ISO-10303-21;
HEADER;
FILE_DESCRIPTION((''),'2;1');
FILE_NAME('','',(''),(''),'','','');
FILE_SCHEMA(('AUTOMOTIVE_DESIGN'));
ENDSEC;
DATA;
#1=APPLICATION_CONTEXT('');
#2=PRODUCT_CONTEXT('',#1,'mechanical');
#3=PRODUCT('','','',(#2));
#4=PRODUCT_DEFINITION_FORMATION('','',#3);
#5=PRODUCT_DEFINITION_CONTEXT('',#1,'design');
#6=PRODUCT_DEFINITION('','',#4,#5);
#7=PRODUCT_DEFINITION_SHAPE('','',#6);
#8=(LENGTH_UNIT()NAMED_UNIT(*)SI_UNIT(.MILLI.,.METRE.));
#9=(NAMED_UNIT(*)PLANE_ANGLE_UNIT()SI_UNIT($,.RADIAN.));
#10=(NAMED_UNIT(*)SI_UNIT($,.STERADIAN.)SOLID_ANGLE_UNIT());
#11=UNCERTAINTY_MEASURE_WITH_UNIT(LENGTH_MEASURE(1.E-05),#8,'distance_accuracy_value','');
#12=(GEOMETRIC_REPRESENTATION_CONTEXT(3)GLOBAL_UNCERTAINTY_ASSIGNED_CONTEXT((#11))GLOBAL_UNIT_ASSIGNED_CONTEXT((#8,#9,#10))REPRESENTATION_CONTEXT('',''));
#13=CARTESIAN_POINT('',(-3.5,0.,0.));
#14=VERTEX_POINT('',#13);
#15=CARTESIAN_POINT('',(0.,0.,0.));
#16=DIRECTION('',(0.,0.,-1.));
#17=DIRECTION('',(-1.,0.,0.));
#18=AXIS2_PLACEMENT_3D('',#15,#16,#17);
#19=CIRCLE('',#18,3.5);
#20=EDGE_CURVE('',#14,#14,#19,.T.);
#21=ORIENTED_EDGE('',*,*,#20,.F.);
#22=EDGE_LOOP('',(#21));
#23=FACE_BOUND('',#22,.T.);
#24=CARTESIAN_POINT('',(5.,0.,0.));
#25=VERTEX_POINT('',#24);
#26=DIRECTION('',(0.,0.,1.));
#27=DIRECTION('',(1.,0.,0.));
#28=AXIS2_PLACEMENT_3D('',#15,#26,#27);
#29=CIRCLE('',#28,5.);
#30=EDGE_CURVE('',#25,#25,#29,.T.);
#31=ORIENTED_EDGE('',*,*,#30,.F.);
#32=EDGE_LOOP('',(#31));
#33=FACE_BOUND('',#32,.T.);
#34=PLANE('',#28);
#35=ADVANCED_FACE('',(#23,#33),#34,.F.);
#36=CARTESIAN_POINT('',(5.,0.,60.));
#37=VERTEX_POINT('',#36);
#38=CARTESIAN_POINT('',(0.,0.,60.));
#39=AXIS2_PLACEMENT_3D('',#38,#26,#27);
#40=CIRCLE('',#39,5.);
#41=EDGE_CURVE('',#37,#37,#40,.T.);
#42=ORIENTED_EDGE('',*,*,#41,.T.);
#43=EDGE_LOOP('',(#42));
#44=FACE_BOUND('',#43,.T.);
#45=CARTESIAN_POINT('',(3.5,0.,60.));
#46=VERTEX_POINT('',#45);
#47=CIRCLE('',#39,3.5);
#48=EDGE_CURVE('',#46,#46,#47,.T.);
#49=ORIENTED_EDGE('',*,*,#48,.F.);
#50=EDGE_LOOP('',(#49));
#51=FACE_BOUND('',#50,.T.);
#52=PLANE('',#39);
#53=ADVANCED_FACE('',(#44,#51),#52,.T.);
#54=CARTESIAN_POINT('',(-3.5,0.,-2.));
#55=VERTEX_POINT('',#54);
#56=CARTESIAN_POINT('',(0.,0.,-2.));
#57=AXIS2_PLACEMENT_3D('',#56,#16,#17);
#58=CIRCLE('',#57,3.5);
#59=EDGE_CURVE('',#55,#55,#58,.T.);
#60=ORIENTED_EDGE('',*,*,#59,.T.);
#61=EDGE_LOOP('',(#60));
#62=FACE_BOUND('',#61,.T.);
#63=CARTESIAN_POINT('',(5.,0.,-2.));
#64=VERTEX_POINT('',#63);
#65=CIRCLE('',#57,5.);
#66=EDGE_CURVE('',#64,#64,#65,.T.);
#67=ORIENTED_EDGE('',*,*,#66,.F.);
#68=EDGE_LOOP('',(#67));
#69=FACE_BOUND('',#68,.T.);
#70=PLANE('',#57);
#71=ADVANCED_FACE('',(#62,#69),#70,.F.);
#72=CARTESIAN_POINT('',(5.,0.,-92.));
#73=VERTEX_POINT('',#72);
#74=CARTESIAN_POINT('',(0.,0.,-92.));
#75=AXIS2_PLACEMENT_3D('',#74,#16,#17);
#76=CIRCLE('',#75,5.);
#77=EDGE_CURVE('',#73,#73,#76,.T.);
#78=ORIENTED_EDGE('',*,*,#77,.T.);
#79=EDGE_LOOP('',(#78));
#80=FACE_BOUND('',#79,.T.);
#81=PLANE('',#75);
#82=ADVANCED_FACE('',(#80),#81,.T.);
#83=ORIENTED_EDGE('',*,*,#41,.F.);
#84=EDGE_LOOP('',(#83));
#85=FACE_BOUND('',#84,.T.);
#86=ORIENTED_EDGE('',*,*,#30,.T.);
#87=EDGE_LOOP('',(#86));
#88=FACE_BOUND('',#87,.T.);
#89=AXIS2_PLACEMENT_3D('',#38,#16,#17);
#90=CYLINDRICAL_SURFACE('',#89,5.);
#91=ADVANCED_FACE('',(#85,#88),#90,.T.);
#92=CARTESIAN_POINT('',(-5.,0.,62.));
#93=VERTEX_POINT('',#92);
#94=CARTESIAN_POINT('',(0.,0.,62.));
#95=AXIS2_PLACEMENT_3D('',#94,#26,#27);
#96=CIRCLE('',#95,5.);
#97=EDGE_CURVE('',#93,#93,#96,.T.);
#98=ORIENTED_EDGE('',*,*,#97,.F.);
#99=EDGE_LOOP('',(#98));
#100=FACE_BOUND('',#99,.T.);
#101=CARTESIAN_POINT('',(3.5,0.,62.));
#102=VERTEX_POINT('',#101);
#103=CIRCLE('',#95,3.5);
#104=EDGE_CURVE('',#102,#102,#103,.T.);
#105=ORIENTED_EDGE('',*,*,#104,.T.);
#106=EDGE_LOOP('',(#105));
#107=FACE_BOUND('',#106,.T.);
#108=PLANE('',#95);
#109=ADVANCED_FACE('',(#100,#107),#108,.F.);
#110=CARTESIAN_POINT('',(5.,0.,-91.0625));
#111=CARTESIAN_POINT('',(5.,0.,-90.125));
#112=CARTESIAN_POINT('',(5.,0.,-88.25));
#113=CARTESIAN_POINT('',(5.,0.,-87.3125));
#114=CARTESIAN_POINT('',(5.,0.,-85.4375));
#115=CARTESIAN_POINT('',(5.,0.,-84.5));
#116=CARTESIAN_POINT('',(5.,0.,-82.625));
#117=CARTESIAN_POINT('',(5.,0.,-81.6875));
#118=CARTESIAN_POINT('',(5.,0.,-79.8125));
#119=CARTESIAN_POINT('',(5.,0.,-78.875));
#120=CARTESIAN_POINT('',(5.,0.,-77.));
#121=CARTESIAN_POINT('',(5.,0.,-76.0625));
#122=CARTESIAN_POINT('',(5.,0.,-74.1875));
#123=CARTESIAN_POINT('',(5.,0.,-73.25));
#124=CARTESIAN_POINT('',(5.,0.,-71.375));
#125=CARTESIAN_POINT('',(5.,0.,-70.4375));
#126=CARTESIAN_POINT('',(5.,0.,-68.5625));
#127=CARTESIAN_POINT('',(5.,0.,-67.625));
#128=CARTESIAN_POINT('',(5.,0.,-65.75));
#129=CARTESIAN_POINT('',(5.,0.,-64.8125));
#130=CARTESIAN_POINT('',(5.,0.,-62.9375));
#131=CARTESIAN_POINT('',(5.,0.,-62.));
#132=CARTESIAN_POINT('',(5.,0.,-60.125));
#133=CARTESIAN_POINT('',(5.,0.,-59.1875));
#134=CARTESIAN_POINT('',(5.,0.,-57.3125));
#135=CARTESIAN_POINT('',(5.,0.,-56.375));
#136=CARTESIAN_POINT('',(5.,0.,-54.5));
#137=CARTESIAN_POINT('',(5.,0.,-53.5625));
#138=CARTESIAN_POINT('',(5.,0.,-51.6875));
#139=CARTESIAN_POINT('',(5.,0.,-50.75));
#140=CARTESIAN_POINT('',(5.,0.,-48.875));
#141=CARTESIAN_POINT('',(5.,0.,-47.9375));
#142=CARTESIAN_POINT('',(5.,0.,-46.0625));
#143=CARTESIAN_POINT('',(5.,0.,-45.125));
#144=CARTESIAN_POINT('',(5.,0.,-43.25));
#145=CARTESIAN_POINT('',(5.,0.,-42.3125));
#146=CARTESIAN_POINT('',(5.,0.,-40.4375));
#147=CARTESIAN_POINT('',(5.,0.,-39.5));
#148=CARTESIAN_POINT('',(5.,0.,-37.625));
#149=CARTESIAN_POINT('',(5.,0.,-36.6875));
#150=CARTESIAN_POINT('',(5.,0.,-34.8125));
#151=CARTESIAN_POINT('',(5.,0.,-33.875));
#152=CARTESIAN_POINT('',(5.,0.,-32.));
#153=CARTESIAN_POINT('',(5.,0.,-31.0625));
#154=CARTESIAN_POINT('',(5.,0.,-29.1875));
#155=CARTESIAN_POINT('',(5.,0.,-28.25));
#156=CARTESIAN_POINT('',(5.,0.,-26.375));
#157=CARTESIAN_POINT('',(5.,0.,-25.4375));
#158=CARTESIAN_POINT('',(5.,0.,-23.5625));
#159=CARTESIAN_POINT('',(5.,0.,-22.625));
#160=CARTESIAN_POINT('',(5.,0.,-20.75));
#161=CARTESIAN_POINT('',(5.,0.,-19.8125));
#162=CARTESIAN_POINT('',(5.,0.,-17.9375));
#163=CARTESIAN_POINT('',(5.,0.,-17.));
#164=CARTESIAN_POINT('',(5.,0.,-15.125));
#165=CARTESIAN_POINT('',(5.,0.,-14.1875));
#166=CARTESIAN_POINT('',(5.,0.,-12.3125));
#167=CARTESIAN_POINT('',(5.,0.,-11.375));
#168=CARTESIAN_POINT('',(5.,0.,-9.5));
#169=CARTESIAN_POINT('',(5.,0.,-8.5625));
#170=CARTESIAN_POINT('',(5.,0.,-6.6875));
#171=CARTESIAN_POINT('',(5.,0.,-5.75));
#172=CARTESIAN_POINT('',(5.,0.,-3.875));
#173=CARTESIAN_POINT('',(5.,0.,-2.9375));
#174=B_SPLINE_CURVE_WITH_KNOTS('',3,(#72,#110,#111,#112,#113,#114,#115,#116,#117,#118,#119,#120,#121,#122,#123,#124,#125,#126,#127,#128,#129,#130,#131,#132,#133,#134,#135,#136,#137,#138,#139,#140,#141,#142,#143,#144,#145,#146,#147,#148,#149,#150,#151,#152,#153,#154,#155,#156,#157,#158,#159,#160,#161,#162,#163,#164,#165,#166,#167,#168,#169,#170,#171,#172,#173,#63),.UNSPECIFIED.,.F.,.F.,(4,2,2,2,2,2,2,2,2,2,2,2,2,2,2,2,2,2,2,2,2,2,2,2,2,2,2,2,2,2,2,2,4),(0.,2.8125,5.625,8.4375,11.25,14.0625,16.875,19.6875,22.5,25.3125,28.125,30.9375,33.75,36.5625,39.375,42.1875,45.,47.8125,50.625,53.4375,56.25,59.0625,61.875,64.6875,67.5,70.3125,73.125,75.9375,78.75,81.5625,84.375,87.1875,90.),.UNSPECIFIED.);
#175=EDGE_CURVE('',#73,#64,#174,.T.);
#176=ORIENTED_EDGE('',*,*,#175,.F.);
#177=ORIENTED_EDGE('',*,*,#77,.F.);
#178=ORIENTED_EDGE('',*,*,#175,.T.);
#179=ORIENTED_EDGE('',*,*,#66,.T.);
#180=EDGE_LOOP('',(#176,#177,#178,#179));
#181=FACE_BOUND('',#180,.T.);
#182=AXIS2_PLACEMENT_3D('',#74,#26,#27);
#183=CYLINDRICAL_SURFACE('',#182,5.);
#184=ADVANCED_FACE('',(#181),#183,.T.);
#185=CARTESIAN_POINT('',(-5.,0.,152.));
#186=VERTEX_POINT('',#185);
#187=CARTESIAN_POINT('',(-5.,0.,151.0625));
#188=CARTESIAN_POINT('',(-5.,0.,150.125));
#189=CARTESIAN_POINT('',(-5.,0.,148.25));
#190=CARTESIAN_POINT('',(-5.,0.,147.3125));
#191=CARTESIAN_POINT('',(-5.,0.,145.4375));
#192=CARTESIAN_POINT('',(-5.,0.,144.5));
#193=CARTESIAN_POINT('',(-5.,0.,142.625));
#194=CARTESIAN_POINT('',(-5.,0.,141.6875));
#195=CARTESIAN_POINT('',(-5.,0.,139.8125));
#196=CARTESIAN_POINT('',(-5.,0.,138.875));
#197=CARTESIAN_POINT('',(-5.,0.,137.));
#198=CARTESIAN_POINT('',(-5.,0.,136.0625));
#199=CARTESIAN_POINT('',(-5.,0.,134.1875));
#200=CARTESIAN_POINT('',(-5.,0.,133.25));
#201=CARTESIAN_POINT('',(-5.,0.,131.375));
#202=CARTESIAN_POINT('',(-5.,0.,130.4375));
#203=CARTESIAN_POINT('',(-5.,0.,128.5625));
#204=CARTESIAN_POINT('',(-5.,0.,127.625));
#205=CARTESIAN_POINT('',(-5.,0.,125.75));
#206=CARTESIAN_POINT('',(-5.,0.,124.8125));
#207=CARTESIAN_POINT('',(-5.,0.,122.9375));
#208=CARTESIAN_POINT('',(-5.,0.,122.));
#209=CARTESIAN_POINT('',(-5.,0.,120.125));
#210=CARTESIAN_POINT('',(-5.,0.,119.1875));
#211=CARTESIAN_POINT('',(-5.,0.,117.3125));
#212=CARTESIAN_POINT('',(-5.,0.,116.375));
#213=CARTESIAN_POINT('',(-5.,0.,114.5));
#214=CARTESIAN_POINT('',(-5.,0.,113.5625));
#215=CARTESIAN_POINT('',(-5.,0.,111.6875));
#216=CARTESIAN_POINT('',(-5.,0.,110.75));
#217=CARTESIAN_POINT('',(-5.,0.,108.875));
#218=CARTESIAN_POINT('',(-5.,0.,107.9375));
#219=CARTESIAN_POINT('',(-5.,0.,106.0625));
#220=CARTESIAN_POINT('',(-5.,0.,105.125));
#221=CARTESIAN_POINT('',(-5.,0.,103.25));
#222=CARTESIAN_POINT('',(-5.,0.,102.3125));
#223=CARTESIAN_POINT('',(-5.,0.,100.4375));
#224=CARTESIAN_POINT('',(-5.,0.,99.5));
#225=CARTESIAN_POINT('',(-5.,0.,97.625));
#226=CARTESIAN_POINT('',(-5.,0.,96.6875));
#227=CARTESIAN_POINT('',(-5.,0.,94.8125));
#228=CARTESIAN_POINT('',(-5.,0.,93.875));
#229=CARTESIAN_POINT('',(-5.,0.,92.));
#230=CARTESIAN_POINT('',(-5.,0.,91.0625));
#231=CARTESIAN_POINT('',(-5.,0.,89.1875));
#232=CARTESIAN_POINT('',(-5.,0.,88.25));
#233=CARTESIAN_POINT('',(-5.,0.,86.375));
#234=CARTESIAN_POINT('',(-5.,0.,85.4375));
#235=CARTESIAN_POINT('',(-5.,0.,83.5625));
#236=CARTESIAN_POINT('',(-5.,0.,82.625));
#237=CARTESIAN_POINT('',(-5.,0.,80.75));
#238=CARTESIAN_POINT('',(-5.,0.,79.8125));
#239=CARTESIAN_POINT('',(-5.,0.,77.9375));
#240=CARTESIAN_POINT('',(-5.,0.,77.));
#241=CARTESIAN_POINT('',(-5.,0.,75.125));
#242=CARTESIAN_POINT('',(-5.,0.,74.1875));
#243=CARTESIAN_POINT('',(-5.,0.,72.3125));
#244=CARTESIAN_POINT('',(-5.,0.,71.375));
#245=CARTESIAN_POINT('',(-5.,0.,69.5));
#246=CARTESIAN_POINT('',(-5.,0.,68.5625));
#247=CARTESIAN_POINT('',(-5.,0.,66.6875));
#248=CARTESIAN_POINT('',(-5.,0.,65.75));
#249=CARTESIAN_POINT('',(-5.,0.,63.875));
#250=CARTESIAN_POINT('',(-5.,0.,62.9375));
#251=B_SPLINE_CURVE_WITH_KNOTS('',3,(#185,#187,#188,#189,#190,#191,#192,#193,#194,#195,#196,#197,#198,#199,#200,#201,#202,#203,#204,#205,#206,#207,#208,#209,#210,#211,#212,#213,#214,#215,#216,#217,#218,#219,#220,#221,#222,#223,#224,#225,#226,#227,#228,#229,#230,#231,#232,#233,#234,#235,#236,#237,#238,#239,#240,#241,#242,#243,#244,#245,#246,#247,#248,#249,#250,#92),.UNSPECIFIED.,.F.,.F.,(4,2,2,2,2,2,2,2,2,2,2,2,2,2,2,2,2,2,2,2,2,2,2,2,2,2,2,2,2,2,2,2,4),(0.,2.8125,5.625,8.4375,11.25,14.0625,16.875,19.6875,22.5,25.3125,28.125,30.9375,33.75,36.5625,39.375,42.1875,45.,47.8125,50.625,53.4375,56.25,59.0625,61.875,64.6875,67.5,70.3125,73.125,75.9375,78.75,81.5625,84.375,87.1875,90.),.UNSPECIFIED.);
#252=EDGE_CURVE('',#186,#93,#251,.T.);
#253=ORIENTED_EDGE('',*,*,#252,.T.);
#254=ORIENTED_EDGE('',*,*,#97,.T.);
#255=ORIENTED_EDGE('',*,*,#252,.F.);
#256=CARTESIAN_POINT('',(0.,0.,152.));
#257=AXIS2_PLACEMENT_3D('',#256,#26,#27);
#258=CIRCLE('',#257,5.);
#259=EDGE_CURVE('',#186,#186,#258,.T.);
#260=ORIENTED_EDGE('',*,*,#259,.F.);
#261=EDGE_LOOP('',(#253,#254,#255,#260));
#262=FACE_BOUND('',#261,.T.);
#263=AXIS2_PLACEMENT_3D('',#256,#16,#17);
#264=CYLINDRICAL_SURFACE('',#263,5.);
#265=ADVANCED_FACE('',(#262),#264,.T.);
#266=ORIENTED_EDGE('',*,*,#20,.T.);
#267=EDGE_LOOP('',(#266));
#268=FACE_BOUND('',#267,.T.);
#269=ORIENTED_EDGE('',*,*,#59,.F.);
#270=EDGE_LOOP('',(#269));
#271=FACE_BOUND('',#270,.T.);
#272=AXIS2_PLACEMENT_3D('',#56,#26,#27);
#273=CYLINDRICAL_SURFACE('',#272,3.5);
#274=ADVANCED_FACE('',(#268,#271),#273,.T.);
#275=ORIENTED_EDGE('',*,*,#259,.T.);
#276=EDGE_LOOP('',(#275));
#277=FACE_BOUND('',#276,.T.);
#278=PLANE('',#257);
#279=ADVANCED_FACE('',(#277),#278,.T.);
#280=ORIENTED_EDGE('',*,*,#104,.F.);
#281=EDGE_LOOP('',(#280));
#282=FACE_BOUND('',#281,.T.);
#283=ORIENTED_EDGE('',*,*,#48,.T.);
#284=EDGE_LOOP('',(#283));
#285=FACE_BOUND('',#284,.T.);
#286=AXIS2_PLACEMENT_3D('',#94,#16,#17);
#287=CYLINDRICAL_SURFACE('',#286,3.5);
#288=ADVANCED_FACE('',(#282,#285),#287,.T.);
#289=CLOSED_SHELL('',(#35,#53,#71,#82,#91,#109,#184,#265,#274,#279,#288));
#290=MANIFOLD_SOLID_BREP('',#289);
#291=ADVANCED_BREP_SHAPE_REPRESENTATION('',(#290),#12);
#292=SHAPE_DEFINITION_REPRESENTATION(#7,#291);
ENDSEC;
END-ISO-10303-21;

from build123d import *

# Parameters (mm, degrees)
SKETCH_1_R      = 5
EXTRUDE_1_DEPTH = 60
SKETCH_2_R      = 3.5
EXTRUDE_2_DEPTH = 2
EXTRUDE_START   = 2
SKETCH_3_R      = 3.5
EXTRUDE_3_DEPTH = 2
EXTRUDE_START_2 = 90
SKETCH_4_R      = 5
EXTRUDE_4_DEPTH = 90
SKETCH_5_R      = 5
EXTRUDE_5_DEPTH = 90


with BuildPart() as part:
    # 草图1 → 凸台-拉伸1 (new body)
    with BuildSketch(Plane.XY):
        Circle(SKETCH_1_R)
    extrude(amount=EXTRUDE_1_DEPTH)

    # 草图2 → 凸台-拉伸2 (add)
    with BuildSketch(Plane.XY.offset(60)):
        Circle(SKETCH_2_R)
    extrude(amount=EXTRUDE_2_DEPTH)

    # 草图3 → 凸台-拉伸3 (add)
    with BuildSketch(Plane(origin=(0, 0, 0), x_dir=(-1, 0, 0), z_dir=(0, 0, -1)).offset(EXTRUDE_START)):
        with Locations(Location((0, 0, 0), (0, 0, 180))):
            Circle(SKETCH_3_R)
    extrude(amount=-EXTRUDE_3_DEPTH)

    # 草图4 → 凸台-拉伸4 (add)
    with BuildSketch(Plane(origin=(0, 0, -2), x_dir=(-1, 0, 0), z_dir=(0, 0, -1)).offset(EXTRUDE_START_2)):
        with Locations(Location((0, 0, 0), (0, 0, 180))):
            Circle(SKETCH_4_R)
    extrude(amount=-EXTRUDE_4_DEPTH)

    # 草图5 → 凸台-拉伸5 (add)
    with BuildSketch(Plane.XY.offset(62)):
        Circle(SKETCH_5_R)
    extrude(amount=EXTRUDE_5_DEPTH)


solid = part.part
